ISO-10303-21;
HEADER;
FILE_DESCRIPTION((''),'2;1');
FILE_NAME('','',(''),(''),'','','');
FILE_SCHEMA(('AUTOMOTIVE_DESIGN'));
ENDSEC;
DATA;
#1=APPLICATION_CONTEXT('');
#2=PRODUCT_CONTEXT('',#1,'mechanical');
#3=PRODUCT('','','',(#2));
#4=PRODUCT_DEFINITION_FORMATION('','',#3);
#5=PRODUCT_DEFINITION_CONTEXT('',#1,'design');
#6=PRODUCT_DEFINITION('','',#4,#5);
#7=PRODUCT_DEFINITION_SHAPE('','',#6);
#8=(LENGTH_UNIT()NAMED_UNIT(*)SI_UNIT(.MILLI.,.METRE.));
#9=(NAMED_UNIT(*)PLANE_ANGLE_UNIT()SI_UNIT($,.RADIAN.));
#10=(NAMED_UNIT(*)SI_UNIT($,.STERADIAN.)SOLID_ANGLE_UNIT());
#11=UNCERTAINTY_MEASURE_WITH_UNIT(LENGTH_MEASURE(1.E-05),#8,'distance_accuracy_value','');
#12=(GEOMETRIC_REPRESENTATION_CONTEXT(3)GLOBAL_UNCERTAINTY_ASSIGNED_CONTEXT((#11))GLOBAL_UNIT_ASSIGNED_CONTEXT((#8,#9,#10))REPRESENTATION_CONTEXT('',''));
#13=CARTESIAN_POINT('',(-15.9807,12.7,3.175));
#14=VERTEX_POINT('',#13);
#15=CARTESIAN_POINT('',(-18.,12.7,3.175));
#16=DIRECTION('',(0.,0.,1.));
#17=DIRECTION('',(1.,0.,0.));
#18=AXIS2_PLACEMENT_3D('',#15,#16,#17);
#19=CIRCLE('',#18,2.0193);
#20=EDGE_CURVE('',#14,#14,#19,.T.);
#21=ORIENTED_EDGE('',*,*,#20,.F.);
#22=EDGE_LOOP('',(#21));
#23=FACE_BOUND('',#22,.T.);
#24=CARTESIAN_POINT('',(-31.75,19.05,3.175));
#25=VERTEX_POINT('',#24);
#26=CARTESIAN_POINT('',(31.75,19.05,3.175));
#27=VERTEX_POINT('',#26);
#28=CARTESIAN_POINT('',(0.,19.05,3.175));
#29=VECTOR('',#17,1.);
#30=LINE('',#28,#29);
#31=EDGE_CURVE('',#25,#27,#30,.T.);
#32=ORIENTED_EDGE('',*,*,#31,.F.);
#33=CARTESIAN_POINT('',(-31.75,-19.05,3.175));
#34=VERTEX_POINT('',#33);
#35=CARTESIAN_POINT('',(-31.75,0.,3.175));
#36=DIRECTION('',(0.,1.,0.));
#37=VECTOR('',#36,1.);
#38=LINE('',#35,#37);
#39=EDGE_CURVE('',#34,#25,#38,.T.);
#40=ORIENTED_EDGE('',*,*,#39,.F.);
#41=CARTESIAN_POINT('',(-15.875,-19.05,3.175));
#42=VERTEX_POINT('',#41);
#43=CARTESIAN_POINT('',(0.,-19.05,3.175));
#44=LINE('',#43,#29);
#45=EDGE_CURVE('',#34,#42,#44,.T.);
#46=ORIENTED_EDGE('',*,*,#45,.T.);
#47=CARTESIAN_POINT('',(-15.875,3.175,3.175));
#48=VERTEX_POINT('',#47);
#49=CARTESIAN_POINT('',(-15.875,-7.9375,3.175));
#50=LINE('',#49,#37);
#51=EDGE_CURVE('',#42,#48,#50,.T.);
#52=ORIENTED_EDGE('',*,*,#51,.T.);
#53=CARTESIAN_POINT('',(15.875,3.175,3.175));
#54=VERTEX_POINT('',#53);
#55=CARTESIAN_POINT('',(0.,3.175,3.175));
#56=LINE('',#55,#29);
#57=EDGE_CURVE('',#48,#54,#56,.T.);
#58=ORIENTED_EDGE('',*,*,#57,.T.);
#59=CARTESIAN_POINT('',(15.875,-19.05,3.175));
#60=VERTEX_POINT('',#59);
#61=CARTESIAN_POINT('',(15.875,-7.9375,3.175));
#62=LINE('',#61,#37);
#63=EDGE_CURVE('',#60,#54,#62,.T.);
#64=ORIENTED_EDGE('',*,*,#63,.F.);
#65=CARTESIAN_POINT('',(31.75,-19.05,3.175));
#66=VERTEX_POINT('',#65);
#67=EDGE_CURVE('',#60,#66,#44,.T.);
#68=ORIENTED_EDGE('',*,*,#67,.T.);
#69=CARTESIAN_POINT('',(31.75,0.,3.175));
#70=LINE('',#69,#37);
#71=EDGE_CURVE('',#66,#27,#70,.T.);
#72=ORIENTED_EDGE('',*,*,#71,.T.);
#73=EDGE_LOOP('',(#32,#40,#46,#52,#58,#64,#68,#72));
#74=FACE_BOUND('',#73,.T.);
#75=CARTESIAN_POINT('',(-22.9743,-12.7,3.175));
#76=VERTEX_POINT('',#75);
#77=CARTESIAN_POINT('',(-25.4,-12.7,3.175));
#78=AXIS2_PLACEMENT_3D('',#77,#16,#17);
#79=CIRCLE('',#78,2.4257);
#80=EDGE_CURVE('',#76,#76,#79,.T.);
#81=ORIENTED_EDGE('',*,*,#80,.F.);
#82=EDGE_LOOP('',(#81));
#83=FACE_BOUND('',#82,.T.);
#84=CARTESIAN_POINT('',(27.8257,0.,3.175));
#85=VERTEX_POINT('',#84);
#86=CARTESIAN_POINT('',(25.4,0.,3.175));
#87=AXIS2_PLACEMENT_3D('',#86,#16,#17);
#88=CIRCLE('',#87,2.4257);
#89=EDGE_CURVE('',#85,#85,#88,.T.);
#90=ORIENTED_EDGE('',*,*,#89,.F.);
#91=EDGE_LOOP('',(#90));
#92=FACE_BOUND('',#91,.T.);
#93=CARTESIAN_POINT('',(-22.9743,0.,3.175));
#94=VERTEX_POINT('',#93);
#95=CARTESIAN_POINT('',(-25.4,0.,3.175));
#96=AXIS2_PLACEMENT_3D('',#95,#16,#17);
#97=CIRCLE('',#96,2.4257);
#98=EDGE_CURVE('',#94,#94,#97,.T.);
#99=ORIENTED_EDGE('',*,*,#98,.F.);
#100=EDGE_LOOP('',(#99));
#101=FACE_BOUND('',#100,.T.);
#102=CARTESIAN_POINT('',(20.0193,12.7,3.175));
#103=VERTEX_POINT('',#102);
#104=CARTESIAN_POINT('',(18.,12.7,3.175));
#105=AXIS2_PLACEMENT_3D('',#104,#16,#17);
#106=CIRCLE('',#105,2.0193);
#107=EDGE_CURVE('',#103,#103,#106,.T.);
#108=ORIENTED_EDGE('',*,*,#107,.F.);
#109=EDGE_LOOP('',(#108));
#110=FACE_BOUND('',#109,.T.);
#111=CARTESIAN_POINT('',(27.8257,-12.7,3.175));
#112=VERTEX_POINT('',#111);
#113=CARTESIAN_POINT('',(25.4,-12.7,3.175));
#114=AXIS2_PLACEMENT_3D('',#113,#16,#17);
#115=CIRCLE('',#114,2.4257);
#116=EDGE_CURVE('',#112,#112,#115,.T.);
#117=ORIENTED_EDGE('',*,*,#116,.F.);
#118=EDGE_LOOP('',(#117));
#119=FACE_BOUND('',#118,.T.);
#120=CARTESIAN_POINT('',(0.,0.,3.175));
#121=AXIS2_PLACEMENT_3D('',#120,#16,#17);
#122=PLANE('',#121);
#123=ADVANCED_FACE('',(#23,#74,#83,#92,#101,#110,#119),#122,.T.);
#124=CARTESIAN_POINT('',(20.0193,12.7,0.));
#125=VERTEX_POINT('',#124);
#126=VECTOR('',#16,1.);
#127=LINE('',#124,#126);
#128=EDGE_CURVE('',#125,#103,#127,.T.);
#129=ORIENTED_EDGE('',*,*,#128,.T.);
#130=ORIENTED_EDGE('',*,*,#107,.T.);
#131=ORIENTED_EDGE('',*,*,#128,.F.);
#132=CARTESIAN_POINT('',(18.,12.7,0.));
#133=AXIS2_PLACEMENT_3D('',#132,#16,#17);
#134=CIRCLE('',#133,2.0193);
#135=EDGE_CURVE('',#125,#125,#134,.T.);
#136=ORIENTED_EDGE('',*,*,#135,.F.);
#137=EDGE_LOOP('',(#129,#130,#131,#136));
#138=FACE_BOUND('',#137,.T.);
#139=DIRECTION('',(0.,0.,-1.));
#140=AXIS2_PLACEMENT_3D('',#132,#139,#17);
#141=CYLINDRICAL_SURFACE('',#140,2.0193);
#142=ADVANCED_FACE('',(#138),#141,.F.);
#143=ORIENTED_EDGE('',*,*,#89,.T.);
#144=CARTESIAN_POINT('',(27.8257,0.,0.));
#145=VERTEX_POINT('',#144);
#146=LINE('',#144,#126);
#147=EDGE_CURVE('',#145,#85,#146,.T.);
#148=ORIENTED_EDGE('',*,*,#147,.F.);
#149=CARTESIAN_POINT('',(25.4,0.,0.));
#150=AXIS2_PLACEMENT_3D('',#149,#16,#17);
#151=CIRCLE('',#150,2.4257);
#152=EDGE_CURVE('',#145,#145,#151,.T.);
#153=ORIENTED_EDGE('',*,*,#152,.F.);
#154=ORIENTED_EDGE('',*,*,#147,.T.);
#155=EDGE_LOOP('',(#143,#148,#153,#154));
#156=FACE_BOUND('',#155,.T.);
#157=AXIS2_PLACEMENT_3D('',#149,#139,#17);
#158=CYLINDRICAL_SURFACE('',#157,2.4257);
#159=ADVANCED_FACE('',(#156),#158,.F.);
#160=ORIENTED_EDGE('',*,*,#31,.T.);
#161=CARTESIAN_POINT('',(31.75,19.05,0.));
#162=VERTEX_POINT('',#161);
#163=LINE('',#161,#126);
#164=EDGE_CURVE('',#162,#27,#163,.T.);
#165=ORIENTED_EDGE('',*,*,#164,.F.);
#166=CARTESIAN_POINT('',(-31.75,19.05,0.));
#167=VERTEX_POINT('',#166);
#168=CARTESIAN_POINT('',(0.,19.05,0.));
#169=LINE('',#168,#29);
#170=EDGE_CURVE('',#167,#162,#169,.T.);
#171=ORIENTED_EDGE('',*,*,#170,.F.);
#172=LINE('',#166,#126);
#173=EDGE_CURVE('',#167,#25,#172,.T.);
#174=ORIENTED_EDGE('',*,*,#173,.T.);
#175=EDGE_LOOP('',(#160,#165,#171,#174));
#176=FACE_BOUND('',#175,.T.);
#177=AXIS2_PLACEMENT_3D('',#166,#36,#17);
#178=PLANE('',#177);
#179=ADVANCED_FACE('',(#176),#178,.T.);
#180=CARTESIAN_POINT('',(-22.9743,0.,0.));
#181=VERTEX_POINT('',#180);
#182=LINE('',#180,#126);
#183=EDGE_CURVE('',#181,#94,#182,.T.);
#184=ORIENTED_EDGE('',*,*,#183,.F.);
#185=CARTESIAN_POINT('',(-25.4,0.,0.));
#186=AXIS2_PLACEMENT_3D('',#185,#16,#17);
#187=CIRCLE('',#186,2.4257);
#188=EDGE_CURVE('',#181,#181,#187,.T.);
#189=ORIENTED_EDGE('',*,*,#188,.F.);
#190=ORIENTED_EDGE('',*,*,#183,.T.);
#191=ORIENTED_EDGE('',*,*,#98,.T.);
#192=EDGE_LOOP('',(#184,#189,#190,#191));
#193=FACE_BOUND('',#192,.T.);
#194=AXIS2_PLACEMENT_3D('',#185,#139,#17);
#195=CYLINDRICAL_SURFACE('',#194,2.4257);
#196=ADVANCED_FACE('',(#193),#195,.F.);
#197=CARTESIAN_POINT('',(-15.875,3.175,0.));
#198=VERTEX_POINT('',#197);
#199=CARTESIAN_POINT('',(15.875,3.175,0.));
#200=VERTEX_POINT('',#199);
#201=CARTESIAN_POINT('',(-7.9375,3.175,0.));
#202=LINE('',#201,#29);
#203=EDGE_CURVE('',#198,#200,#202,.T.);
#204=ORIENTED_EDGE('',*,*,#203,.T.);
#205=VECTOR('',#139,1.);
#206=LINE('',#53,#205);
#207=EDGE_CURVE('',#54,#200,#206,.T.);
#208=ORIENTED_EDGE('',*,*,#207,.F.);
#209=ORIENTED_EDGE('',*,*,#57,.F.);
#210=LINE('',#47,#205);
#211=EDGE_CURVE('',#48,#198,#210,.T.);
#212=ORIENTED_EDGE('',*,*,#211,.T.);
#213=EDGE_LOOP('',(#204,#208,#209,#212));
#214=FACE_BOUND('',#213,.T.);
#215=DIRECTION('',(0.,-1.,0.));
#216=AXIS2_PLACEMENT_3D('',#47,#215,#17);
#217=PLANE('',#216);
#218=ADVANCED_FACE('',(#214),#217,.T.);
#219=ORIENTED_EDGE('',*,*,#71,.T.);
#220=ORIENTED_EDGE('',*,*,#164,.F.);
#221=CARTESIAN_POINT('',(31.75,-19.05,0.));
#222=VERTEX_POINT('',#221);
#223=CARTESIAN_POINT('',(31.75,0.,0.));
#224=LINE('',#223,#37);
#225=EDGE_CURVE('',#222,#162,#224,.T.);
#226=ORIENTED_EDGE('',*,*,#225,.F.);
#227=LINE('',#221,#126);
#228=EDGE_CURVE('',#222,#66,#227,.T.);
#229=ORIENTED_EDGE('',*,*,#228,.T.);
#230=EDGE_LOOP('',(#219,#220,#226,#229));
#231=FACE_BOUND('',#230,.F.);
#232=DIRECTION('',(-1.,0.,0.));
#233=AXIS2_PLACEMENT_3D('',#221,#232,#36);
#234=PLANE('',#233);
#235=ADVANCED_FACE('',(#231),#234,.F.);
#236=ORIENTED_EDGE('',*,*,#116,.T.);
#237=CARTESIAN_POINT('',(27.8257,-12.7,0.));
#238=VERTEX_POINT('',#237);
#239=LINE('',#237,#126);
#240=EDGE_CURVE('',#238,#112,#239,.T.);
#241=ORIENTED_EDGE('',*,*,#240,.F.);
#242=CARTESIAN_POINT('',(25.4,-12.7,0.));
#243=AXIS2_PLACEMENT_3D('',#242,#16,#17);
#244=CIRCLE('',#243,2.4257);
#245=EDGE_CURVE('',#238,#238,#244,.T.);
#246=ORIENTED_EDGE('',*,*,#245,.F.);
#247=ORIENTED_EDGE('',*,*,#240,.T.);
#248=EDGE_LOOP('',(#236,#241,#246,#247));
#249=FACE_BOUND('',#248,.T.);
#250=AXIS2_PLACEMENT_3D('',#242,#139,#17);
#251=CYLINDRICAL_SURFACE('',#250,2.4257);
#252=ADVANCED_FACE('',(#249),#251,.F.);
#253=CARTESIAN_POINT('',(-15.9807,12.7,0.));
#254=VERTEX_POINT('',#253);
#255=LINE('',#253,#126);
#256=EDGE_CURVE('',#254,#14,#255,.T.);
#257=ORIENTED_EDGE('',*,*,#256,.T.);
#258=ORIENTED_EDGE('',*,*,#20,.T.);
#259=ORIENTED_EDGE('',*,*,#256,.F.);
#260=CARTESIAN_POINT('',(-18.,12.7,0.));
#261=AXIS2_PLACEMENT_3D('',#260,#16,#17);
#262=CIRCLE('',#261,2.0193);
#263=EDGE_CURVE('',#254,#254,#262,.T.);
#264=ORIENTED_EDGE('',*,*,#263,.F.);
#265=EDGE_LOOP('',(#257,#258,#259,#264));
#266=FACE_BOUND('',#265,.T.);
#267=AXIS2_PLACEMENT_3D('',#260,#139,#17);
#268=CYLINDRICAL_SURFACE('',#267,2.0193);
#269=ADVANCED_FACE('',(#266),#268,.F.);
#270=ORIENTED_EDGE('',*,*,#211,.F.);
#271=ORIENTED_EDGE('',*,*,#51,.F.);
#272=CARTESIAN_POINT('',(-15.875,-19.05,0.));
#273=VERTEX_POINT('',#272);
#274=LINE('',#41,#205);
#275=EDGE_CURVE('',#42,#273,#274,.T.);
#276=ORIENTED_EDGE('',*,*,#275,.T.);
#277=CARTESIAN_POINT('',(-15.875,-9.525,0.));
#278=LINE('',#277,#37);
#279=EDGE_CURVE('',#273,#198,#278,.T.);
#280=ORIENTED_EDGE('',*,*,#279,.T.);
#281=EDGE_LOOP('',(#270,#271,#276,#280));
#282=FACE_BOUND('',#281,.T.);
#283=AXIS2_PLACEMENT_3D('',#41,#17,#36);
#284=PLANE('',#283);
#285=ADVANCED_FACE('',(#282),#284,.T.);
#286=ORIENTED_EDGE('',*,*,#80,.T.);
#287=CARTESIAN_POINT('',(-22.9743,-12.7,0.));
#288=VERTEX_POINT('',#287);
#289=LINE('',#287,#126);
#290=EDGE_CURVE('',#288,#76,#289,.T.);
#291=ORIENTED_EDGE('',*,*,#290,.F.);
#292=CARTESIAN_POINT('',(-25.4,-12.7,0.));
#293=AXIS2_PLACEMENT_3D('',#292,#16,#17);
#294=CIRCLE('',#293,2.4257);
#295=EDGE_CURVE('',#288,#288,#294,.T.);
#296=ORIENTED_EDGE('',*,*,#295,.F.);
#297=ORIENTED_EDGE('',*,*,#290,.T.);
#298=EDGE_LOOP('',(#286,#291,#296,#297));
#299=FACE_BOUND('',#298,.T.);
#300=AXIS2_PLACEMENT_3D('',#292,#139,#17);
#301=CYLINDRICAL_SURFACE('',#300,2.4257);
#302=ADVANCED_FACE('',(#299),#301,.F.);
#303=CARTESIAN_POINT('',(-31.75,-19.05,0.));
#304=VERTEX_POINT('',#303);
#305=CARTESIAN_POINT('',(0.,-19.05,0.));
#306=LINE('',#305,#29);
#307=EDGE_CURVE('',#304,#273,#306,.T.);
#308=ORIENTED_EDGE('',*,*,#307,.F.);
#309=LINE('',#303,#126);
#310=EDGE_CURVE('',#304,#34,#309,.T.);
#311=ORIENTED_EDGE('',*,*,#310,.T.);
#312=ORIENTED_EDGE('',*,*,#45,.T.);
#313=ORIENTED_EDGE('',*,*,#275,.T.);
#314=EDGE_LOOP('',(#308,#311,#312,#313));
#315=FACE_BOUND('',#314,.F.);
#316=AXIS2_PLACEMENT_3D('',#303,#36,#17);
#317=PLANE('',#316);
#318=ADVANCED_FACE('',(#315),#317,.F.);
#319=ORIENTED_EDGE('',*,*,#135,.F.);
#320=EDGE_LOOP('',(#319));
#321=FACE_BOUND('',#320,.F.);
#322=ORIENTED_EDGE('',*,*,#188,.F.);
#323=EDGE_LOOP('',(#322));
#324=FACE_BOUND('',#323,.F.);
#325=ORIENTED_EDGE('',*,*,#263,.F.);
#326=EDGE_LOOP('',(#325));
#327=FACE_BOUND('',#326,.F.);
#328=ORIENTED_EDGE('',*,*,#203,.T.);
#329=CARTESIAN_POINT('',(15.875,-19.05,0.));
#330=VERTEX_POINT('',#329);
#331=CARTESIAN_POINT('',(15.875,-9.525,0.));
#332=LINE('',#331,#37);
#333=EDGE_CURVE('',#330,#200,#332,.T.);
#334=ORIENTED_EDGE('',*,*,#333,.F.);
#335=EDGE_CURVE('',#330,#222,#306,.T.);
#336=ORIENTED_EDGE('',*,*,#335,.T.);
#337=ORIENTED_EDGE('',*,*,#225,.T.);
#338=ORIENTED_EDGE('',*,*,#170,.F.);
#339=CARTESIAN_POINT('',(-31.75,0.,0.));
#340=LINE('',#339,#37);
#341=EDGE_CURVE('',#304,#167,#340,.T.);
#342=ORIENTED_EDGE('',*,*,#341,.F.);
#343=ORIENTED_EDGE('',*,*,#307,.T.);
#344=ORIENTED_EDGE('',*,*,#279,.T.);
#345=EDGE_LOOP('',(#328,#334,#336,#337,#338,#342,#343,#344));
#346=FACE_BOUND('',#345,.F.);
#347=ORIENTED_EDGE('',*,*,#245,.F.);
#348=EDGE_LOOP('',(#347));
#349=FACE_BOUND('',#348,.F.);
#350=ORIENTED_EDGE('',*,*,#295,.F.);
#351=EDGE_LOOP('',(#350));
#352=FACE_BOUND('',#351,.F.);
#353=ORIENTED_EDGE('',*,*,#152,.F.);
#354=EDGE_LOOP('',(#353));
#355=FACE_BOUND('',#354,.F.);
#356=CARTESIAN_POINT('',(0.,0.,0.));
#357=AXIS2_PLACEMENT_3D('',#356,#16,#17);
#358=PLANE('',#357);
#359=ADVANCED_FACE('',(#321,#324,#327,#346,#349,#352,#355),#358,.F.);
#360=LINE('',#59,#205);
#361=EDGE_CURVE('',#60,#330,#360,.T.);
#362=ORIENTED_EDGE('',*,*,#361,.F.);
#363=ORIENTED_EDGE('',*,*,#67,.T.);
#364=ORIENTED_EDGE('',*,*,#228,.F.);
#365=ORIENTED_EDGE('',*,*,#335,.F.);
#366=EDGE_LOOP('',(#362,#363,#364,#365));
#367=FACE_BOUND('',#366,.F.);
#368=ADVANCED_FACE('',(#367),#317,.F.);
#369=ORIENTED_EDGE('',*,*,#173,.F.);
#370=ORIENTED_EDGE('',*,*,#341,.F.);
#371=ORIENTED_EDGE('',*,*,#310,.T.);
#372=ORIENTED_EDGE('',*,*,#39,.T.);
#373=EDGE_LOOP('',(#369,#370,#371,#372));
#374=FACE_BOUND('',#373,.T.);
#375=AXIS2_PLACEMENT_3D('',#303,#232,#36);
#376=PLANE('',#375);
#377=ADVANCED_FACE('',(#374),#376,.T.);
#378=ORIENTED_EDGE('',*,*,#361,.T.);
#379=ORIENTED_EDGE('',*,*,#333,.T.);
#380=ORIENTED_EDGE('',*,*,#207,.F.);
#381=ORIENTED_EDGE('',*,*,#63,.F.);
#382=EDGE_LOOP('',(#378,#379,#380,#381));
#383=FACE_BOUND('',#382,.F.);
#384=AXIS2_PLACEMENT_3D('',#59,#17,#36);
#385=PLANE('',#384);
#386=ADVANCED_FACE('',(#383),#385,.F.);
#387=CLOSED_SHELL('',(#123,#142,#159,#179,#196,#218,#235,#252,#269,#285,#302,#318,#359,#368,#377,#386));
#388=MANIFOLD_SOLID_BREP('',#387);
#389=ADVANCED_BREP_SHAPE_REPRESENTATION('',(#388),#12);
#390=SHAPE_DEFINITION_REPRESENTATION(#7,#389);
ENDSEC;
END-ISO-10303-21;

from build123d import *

# Parameters (mm, degrees)
F0_W     = 63.5
F0_H     = 38.1
F0_R     = 2.4257
F0_R_2   = 2.0193
F1_DEPTH = 3.175
F2_W     = 31.75
F2_H     = 22.225
F3_DEPTH = 3.176


with BuildPart() as f1:
    # F0 (on Top) → F1 (new body)
    with BuildSketch(Plane.XY):
        Rectangle(F0_W, F0_H)
        with Locations((-25.4, -12.7)):
            Circle(F0_R, mode=Mode.SUBTRACT)
        with Locations((25.4, -12.7)):
            Circle(F0_R, mode=Mode.SUBTRACT)
        with Locations((-25.4, 0)):
            Circle(F0_R, mode=Mode.SUBTRACT)
        with Locations((-18, 12.7)):
            Circle(F0_R_2, mode=Mode.SUBTRACT)
        with Locations((25.4, 0)):
            Circle(F0_R, mode=Mode.SUBTRACT)
        with Locations((18, 12.7)):
            Circle(F0_R_2, mode=Mode.SUBTRACT)
    extrude(amount=F1_DEPTH)

    # F2 (on face) → F3 (cut, through all)
    with BuildSketch(Plane.XY.offset(3.175)):
        with Locations((0, -7.9375)):
            Rectangle(F2_W, F2_H)
    extrude(amount=-F3_DEPTH, mode=Mode.SUBTRACT)


solid = f1.part
